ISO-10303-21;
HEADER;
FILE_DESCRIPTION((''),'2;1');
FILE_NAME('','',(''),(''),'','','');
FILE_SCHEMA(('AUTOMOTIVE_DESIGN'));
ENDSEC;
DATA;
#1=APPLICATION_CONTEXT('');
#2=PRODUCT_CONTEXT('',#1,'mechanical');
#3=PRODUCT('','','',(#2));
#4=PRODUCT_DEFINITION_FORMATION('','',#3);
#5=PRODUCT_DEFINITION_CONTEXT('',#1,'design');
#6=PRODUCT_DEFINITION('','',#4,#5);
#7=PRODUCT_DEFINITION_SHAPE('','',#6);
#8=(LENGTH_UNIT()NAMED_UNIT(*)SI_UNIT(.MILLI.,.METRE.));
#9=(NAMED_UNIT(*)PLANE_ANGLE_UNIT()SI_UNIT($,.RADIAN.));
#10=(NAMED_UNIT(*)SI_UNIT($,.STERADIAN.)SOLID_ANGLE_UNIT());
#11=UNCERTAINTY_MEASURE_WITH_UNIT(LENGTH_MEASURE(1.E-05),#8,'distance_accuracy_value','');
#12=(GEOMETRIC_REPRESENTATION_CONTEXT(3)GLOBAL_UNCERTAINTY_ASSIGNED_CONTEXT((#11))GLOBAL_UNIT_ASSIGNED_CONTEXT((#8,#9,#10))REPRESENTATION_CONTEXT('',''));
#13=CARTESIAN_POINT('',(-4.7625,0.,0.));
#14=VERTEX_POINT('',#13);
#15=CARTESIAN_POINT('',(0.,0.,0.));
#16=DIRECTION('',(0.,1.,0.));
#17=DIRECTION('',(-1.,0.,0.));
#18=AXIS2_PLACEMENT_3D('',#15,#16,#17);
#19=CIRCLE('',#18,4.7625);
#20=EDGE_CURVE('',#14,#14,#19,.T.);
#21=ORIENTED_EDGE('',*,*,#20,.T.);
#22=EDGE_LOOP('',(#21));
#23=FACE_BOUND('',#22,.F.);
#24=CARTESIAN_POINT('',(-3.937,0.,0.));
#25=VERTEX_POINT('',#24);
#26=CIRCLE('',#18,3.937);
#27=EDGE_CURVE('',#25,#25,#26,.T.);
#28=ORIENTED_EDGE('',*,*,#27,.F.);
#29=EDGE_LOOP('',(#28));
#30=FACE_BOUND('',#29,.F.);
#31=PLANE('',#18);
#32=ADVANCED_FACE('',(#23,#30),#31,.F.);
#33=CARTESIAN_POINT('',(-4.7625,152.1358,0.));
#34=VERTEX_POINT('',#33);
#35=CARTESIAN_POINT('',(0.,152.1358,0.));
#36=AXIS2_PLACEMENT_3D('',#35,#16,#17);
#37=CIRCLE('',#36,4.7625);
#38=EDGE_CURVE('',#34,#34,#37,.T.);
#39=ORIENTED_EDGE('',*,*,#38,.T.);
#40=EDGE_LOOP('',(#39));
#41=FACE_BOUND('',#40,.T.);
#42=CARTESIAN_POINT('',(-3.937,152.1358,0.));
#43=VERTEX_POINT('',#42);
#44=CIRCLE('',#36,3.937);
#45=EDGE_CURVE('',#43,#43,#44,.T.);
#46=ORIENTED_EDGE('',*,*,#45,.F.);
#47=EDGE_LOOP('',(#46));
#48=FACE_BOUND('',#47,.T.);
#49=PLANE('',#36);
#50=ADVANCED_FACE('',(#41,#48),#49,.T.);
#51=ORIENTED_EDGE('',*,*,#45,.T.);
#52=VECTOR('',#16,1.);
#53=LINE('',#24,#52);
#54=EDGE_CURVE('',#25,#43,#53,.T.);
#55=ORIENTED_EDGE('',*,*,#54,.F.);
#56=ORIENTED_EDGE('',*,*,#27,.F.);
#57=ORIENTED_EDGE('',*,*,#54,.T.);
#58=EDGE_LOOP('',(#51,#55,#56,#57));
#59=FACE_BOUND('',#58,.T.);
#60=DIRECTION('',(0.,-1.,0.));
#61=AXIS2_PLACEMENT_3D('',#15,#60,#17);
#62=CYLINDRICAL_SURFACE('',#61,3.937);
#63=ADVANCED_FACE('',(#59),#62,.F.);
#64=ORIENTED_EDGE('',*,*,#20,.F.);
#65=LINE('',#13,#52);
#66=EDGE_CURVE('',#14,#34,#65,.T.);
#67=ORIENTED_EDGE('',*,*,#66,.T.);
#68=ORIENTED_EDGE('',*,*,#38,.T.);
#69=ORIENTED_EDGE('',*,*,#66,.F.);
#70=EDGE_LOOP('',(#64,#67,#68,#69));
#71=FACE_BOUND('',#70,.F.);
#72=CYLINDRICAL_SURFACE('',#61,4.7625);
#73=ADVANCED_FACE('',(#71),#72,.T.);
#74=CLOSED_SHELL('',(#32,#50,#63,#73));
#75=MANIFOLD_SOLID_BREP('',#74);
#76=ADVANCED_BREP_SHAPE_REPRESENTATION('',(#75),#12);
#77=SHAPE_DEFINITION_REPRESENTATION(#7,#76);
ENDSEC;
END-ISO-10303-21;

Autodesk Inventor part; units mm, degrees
ref_plane "YZ Plane" through (0, 0, 0) normal (1, 0, 0) x (0, 1, 0)
ref_plane "XZ Plane" through (0, 0, 0) normal (0, 1, 0) x (-1, 0, 0)
ref_plane "XY Plane" through (0, 0, 0) normal (0, 0, 1) x (1, 0, 0)
sketch "Sketch1" plane through (0, 0, 0) normal (0, 1, 0) x (-1, 0, 0)
  circle A0 centre (0, 0) radius 4.7625
  circle A1 centre (0, 0) radius 3.937
  dimension "d0" = 9.525
  dimension "d1" = 7.874
extrude "Extrusion1" add sketch "Sketch1" along normal blind 152.1358
properties part number "feet type 3 part 3" material "CFRP"
